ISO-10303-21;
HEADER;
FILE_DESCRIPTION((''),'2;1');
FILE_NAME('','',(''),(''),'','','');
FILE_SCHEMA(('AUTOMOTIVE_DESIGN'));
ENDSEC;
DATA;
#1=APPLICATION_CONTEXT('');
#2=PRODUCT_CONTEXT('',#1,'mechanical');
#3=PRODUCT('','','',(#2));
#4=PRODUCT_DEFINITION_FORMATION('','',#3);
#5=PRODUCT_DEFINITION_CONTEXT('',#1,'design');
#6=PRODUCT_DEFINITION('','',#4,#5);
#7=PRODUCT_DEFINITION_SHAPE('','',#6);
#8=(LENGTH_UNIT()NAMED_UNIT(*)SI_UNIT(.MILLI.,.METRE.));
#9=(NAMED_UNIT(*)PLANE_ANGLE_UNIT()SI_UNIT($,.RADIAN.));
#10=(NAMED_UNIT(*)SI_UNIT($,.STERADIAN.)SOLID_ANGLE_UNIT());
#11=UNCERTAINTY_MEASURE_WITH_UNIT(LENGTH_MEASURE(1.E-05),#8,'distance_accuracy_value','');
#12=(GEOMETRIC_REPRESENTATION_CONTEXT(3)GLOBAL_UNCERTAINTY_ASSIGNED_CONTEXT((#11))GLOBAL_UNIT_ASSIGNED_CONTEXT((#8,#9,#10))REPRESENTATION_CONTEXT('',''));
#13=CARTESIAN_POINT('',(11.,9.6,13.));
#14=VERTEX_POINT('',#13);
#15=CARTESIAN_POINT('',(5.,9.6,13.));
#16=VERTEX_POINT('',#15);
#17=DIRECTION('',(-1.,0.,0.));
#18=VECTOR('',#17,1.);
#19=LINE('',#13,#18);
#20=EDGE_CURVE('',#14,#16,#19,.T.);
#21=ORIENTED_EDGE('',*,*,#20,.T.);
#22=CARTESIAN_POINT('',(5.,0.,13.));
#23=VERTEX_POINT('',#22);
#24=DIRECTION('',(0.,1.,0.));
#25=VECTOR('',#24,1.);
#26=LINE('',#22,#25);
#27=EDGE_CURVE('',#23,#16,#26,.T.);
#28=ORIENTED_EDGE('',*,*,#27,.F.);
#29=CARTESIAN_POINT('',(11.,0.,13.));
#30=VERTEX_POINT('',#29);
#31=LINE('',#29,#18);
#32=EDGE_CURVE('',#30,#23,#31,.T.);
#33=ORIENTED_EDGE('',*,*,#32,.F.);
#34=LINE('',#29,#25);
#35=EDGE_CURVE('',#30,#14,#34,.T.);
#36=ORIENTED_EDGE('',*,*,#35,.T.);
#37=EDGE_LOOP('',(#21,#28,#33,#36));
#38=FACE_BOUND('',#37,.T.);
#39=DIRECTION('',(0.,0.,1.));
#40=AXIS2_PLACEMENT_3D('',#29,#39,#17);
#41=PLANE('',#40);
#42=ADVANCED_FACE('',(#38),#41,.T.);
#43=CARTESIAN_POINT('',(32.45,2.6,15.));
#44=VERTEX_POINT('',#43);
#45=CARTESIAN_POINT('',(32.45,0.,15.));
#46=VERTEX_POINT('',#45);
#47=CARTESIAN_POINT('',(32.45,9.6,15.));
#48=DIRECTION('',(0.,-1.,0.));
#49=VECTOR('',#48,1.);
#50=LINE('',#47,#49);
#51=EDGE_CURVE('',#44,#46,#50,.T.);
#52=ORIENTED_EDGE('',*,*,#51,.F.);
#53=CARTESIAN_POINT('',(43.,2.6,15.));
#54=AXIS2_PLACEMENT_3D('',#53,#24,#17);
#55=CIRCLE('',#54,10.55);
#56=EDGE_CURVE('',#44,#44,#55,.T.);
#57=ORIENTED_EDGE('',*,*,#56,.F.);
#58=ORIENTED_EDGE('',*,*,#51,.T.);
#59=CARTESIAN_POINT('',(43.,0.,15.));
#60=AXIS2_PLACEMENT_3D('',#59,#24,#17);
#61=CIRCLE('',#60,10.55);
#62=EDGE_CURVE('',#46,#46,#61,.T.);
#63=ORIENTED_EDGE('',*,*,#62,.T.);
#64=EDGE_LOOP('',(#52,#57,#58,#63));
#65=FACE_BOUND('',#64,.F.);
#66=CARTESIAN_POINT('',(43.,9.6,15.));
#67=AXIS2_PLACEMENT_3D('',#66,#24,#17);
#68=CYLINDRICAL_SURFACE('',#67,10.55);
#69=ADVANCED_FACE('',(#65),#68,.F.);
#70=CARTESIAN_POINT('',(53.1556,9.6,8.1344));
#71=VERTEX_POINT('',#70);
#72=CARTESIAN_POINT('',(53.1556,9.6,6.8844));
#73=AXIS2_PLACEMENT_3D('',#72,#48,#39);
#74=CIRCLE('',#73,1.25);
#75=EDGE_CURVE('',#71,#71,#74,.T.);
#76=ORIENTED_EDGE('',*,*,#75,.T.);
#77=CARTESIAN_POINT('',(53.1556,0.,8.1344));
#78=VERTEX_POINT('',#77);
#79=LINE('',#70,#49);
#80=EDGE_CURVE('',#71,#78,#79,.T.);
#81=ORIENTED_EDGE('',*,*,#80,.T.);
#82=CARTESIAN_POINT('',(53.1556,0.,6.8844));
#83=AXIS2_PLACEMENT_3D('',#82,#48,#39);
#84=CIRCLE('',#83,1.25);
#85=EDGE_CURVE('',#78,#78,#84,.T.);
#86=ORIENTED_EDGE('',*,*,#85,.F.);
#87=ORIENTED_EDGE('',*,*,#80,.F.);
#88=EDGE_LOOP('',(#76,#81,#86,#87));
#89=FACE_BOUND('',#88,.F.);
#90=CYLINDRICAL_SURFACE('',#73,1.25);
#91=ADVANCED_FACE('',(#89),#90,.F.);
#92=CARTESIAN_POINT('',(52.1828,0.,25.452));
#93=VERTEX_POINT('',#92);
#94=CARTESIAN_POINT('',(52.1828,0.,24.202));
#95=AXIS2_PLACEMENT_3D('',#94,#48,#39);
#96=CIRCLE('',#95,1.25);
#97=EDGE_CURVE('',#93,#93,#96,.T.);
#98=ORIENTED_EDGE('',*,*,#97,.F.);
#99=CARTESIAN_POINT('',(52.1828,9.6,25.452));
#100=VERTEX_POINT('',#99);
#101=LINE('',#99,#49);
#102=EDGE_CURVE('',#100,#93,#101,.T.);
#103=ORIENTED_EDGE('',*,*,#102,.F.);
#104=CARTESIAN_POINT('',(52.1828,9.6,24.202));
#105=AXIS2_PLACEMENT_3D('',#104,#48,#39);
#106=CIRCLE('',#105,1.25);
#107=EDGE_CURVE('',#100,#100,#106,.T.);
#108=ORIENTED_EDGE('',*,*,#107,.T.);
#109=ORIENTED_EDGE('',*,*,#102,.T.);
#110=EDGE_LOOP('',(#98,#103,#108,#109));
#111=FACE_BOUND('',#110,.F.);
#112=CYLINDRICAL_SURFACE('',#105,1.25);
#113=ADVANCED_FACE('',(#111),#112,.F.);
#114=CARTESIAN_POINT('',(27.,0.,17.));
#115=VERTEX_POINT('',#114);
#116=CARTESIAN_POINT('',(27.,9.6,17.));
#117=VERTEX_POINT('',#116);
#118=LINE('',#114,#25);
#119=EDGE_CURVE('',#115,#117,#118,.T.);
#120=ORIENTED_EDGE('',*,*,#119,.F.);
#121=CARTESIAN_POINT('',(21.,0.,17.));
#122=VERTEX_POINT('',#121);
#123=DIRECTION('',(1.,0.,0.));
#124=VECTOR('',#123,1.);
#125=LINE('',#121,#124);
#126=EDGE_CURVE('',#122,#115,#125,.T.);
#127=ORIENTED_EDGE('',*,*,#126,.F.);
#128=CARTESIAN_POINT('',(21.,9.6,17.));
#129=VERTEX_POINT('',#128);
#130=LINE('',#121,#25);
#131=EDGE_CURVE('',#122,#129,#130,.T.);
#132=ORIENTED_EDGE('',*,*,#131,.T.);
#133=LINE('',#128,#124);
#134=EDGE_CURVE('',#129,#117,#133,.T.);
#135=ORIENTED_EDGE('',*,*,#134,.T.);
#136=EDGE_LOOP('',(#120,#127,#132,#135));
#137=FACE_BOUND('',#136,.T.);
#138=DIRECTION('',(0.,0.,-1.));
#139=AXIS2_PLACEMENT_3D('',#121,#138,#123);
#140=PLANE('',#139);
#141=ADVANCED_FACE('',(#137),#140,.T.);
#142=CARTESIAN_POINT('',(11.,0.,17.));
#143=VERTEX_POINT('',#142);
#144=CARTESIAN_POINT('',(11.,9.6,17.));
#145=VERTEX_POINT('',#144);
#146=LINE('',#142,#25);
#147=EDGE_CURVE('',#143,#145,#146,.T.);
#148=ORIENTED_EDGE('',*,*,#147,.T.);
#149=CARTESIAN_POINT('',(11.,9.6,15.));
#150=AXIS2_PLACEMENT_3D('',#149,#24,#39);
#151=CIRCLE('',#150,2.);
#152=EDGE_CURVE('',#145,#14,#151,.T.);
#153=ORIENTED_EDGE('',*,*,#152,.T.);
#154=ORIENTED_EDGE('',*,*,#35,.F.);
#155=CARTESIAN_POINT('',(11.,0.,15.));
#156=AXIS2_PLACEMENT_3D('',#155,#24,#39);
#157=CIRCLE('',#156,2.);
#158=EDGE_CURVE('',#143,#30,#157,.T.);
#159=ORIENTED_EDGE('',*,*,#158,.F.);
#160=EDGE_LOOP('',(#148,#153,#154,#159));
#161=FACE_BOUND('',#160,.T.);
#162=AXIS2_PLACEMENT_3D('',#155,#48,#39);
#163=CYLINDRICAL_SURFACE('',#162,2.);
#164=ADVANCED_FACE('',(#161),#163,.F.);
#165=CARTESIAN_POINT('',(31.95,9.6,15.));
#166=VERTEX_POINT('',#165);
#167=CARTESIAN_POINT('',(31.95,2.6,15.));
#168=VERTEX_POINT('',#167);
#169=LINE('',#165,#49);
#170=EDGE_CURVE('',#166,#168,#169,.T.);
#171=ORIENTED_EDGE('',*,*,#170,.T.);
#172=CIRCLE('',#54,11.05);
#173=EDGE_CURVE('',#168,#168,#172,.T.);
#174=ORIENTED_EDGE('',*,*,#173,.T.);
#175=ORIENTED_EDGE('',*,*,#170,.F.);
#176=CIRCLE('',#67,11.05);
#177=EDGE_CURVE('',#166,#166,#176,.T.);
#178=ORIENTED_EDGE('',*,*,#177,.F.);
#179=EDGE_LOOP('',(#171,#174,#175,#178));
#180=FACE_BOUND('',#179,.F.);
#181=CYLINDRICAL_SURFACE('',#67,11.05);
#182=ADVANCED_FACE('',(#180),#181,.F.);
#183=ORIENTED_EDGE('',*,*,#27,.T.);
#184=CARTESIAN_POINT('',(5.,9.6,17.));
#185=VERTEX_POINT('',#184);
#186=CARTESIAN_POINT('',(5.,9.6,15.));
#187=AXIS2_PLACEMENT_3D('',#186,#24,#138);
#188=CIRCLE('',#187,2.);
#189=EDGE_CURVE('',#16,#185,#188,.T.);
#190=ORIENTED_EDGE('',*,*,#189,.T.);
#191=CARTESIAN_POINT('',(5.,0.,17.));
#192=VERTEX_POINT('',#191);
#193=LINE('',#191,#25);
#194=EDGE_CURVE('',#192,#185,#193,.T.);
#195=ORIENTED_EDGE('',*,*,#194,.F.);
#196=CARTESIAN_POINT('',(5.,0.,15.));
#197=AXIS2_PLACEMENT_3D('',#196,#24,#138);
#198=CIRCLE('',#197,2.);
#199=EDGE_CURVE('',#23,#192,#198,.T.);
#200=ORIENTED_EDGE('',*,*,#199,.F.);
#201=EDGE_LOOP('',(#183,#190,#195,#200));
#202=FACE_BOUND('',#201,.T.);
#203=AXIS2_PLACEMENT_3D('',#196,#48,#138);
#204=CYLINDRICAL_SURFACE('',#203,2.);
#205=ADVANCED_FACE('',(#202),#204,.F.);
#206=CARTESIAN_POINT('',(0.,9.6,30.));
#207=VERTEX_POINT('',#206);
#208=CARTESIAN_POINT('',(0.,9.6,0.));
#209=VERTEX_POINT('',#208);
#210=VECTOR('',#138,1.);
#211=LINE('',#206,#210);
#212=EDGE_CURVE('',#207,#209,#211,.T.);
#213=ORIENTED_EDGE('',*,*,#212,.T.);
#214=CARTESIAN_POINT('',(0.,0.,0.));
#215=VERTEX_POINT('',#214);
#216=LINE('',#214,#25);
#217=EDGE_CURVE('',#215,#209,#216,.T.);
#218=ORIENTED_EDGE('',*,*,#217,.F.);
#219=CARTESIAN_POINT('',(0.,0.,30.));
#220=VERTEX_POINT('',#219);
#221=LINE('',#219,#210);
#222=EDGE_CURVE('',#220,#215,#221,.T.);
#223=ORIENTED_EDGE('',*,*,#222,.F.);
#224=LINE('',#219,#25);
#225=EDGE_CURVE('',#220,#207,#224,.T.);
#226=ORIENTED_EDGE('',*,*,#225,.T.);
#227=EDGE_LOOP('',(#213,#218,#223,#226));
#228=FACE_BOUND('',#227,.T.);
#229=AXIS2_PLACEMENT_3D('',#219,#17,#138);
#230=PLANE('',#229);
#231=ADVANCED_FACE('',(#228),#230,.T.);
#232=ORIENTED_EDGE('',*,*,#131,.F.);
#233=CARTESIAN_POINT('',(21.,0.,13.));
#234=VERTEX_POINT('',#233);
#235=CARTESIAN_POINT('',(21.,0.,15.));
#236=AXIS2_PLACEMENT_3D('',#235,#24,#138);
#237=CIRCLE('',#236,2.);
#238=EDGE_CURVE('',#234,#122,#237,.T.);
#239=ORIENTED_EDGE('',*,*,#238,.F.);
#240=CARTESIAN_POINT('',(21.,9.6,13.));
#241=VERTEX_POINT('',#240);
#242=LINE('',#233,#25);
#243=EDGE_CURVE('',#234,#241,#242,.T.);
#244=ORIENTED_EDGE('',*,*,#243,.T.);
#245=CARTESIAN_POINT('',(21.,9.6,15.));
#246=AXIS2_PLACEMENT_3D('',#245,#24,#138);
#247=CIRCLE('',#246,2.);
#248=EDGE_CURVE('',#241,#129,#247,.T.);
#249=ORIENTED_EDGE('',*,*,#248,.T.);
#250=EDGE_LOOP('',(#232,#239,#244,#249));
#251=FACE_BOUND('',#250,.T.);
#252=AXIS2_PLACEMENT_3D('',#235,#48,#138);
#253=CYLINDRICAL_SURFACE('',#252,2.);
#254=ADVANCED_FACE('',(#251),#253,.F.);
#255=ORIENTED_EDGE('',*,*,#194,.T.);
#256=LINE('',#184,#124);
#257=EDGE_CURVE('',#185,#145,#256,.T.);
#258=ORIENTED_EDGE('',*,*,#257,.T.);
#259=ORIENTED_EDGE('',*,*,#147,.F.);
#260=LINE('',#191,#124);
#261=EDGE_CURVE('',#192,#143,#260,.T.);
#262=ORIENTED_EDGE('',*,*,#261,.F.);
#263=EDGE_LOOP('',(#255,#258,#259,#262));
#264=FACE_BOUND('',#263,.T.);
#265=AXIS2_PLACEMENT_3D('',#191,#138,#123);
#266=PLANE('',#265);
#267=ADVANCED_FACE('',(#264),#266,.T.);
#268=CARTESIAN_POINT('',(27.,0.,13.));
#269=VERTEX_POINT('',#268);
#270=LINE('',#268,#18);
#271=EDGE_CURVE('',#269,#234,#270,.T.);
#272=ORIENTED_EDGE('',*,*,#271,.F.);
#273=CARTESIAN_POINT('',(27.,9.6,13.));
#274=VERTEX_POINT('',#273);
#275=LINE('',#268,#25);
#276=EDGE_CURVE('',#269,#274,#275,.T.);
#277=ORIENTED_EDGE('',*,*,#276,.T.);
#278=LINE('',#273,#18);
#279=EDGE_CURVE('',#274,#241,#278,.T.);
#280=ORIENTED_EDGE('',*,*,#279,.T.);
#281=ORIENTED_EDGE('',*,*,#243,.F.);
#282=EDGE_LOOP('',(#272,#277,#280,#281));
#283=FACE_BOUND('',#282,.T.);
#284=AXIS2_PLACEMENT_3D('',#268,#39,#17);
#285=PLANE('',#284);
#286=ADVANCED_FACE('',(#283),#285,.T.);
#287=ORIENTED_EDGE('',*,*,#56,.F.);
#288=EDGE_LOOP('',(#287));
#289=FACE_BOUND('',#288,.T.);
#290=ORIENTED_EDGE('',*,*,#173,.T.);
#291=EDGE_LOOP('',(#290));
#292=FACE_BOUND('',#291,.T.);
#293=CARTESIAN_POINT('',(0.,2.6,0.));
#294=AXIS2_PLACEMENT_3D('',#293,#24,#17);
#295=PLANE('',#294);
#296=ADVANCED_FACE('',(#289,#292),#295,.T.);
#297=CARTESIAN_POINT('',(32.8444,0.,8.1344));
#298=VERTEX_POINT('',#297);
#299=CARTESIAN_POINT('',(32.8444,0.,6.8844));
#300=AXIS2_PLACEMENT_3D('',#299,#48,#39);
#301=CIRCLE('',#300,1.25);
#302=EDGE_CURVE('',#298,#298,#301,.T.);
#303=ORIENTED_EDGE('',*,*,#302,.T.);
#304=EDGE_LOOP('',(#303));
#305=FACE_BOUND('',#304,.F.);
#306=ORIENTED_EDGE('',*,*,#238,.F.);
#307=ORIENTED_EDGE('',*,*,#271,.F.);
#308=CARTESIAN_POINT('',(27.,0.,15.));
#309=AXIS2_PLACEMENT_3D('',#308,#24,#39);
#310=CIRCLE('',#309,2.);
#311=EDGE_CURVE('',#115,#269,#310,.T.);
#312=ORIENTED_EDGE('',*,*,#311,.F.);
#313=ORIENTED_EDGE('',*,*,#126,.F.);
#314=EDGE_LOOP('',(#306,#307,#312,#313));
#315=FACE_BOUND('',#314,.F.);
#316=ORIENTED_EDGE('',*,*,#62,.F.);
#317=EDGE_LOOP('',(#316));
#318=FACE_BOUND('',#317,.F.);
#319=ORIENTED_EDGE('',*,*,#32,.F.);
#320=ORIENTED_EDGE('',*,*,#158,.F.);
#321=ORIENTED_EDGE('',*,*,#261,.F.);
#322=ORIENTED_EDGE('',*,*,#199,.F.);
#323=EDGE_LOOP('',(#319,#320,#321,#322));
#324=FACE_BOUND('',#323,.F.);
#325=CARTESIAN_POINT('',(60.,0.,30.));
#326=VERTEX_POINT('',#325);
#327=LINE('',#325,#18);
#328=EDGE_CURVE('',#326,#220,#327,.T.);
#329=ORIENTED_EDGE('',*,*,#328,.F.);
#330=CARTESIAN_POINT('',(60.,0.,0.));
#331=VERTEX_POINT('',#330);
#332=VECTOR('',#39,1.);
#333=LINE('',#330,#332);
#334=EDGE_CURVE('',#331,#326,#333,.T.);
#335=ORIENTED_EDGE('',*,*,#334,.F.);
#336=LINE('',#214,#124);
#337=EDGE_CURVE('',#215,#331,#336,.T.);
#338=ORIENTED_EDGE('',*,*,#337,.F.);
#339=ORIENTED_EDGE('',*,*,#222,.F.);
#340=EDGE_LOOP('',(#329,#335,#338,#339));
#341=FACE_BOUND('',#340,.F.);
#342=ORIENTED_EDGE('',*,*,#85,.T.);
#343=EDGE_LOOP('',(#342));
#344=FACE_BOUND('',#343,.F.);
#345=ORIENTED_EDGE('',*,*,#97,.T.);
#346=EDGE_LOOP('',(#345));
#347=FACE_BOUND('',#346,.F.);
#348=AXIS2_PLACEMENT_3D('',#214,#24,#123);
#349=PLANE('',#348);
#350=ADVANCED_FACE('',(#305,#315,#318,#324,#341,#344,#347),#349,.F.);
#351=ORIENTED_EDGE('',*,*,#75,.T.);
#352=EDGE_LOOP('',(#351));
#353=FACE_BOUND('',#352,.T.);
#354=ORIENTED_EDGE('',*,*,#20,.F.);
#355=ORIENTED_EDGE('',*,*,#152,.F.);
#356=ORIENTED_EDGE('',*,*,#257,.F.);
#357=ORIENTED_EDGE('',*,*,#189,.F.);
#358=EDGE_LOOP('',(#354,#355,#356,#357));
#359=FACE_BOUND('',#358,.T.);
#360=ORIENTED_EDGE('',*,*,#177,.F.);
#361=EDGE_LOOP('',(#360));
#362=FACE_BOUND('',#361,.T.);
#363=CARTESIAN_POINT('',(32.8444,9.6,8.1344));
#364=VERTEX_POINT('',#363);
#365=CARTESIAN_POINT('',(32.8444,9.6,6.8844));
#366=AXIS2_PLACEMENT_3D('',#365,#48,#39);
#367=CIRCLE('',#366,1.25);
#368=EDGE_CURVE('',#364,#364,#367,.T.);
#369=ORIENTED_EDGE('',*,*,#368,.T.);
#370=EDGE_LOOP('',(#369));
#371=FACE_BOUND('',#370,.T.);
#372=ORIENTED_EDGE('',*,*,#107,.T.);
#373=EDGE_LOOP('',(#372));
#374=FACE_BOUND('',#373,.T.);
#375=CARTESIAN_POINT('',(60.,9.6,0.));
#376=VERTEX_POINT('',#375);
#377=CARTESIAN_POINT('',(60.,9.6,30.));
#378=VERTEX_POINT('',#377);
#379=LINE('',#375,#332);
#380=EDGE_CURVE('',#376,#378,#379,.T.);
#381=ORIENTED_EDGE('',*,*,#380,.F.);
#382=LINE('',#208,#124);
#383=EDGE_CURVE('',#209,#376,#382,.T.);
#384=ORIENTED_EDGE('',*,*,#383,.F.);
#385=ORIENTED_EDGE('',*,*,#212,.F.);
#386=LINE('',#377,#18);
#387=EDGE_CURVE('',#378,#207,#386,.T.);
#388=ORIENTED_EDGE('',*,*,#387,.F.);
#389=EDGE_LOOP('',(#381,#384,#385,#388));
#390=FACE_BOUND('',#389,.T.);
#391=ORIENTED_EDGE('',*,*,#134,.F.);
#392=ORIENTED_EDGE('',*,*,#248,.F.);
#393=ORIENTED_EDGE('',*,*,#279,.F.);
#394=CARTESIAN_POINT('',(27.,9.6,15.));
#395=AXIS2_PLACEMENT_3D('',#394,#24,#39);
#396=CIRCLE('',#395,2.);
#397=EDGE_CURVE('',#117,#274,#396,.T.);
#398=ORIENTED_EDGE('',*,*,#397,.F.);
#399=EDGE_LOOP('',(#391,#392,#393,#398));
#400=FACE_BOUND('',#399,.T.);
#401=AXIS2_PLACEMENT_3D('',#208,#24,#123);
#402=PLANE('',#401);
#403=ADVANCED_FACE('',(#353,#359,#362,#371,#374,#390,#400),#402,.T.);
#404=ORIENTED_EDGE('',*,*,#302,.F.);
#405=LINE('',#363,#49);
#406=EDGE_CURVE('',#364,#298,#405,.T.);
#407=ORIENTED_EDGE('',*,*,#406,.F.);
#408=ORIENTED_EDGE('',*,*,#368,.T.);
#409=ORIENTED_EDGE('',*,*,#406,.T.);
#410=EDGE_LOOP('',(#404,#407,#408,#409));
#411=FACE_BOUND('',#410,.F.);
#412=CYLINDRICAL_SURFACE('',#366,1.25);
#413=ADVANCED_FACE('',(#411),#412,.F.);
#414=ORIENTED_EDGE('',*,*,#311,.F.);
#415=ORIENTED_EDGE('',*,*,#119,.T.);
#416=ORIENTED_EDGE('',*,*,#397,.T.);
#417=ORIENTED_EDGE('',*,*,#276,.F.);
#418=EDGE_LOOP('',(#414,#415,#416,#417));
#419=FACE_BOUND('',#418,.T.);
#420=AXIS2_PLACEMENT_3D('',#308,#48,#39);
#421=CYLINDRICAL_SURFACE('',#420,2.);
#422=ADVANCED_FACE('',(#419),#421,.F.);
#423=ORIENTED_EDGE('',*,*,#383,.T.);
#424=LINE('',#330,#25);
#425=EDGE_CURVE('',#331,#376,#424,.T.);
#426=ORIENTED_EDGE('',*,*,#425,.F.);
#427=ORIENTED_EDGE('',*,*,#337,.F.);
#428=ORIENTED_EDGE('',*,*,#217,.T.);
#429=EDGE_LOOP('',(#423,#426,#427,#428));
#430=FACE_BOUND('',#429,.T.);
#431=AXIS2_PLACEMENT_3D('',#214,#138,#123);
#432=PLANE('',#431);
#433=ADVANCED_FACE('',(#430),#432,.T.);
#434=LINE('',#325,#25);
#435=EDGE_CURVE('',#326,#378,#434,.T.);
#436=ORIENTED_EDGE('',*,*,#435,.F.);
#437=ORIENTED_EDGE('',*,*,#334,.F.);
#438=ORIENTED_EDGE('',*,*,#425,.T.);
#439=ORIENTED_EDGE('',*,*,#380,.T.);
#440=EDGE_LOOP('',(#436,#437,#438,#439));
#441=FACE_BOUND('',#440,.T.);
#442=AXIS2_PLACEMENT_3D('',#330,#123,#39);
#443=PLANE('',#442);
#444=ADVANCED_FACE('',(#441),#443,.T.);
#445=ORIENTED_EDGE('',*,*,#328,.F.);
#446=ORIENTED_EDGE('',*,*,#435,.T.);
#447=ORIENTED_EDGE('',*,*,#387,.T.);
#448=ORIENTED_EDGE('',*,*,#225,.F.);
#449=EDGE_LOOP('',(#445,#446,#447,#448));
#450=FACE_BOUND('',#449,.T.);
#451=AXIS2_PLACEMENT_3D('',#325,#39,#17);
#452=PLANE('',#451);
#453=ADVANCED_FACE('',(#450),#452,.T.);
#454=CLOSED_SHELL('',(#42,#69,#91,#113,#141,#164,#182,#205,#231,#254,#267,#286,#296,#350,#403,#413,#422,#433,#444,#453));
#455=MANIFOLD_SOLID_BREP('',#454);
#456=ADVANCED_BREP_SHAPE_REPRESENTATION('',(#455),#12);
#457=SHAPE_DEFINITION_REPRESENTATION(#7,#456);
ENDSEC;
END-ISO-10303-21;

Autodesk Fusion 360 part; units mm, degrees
sketch "Sketch1" plane through (0, 0, 0) normal (0, 1, 0) x (1, 0, 0)
  line L0 (0, 0) -> (60, 0)
  line L1 (60, 0) -> (60, -30)
  line L2 (60, -30) -> (0, -30)
  line L3 (0, -30) -> (0, 0)
  line L4 (0, -15) -> (60, -15) construction
  line L5 (8, 0) -> (8, -30) construction
  line L6 (24, 0) -> (24, -30) construction
  line L7 (11, -13) -> (5, -13)
  arc A0 (5, -13) -> (5, -17) centre (5, -15) ccw
  line L8 (5, -17) -> (11, -17)
  arc A1 (11, -17) -> (11, -13) centre (11, -15) ccw
  line L9 (11, -15) -> (5, -15) construction
  line L10 (21, -17) -> (27, -17)
  arc A2 (27, -17) -> (27, -13) centre (27, -15) ccw
  line L11 (27, -13) -> (21, -13)
  arc A3 (21, -13) -> (21, -17) centre (21, -15) ccw
  line L12 (21, -15) -> (27, -15) construction
  line L13 (43, 0) -> (43, -30) construction
  point P0 (11, -15)
  point P1 (5, -15)
  point P2 (21, -15)
  point P3 (27, -15)
  dimension "d1" = 60
  dimension "d2" = 30
  dimension "d3" = 8
  dimension "d4" = 16
  dimension "d5" = 3
  dimension "d6" = 3
  dimension "d7" = 3
  dimension "d8" = 3
  dimension "d9" = 4
  dimension "d10" = 4
  dimension "d13" = 43
extrude "Extrude1" add sketch "Sketch1" along normal blind 9.6
sketch "Sketch2" plane through (0, 9.6, 0) normal (0, 1, 0) x (-1, 0, 0)
  arc A0 (-21, 13) -> (-21, 17) centre (-21, 15) ccw
  line L0 (-21, 13) -> (-27, 13)
  arc A1 (-27, 17) -> (-27, 13) centre (-27, 15) ccw
  line L1 (-27, 17) -> (-21, 17)
  arc A2 (-11, 17) -> (-11, 13) centre (-11, 15) ccw
  line L2 (-11, 17) -> (-5, 17)
  arc A3 (-5, 13) -> (-5, 17) centre (-5, 15) ccw
  line L3 (-5, 13) -> (-11, 13)
  line L4 (0, 30) -> (-60, 30)
  line L5 (-60, 30) -> (-60, 0)
  line L6 (-60, 0) -> (0, 0)
  line L7 (0, 0) -> (0, 30)
  circle A4 centre (-43, 15) radius 11.05
  circle A5 centre (-43, 15) radius 10.55
  dimension "d15" = 22.1
  dimension "d16" = 21.1
extrude "Extrude2" cut sketch "Sketch2" against normal blind 7 contours A4
extrude "Extrude3" cut 1 faces at (40.0944, 9.6, 14.0673) along direction (0, 1, 0) through all and the other way through all
sketch "Sketch3" plane through (0, 9.6, 0) normal (0, 1, 0) x (-1, 0, 0)
  line L0 (0, 30) -> (-60, 30)
  line L1 (-60, 30) -> (-60, 0)
  line L2 (-60, 0) -> (0, 0)
  line L3 (0, 0) -> (0, 30)
  arc A0 (-21, 13) -> (-21, 17) centre (-21, 15) ccw
  line L4 (-21, 13) -> (-27, 13)
  arc A1 (-27, 17) -> (-27, 13) centre (-27, 15) ccw
  line L5 (-27, 17) -> (-21, 17)
  arc A2 (-11, 17) -> (-11, 13) centre (-11, 15) ccw
  line L6 (-11, 17) -> (-5, 17)
  arc A3 (-5, 13) -> (-5, 17) centre (-5, 15) ccw
  line L7 (-5, 13) -> (-11, 13)
  circle A4 centre (-43, 15) radius 11.05
  circle A5 centre (-43, 15) radius 13 construction
  point P0 (-32.8444, 6.8844)
  point P1 (-52.1828, 24.202)
  point P2 (-53.1556, 6.8844)
  dimension "d30" = 26
hole "Hole1" at (32.8444, 9.6, 6.8844) direction (0, -1, 0) diameter 2.5 end through all
hole "Hole2" at (53.1556, 9.6, 6.8844) direction (0, -1, 0) diameter 2.5 end through all
hole "Hole3" at (52.1828, 9.6, 24.202) direction (0, -1, 0) diameter 2.5 end through all
